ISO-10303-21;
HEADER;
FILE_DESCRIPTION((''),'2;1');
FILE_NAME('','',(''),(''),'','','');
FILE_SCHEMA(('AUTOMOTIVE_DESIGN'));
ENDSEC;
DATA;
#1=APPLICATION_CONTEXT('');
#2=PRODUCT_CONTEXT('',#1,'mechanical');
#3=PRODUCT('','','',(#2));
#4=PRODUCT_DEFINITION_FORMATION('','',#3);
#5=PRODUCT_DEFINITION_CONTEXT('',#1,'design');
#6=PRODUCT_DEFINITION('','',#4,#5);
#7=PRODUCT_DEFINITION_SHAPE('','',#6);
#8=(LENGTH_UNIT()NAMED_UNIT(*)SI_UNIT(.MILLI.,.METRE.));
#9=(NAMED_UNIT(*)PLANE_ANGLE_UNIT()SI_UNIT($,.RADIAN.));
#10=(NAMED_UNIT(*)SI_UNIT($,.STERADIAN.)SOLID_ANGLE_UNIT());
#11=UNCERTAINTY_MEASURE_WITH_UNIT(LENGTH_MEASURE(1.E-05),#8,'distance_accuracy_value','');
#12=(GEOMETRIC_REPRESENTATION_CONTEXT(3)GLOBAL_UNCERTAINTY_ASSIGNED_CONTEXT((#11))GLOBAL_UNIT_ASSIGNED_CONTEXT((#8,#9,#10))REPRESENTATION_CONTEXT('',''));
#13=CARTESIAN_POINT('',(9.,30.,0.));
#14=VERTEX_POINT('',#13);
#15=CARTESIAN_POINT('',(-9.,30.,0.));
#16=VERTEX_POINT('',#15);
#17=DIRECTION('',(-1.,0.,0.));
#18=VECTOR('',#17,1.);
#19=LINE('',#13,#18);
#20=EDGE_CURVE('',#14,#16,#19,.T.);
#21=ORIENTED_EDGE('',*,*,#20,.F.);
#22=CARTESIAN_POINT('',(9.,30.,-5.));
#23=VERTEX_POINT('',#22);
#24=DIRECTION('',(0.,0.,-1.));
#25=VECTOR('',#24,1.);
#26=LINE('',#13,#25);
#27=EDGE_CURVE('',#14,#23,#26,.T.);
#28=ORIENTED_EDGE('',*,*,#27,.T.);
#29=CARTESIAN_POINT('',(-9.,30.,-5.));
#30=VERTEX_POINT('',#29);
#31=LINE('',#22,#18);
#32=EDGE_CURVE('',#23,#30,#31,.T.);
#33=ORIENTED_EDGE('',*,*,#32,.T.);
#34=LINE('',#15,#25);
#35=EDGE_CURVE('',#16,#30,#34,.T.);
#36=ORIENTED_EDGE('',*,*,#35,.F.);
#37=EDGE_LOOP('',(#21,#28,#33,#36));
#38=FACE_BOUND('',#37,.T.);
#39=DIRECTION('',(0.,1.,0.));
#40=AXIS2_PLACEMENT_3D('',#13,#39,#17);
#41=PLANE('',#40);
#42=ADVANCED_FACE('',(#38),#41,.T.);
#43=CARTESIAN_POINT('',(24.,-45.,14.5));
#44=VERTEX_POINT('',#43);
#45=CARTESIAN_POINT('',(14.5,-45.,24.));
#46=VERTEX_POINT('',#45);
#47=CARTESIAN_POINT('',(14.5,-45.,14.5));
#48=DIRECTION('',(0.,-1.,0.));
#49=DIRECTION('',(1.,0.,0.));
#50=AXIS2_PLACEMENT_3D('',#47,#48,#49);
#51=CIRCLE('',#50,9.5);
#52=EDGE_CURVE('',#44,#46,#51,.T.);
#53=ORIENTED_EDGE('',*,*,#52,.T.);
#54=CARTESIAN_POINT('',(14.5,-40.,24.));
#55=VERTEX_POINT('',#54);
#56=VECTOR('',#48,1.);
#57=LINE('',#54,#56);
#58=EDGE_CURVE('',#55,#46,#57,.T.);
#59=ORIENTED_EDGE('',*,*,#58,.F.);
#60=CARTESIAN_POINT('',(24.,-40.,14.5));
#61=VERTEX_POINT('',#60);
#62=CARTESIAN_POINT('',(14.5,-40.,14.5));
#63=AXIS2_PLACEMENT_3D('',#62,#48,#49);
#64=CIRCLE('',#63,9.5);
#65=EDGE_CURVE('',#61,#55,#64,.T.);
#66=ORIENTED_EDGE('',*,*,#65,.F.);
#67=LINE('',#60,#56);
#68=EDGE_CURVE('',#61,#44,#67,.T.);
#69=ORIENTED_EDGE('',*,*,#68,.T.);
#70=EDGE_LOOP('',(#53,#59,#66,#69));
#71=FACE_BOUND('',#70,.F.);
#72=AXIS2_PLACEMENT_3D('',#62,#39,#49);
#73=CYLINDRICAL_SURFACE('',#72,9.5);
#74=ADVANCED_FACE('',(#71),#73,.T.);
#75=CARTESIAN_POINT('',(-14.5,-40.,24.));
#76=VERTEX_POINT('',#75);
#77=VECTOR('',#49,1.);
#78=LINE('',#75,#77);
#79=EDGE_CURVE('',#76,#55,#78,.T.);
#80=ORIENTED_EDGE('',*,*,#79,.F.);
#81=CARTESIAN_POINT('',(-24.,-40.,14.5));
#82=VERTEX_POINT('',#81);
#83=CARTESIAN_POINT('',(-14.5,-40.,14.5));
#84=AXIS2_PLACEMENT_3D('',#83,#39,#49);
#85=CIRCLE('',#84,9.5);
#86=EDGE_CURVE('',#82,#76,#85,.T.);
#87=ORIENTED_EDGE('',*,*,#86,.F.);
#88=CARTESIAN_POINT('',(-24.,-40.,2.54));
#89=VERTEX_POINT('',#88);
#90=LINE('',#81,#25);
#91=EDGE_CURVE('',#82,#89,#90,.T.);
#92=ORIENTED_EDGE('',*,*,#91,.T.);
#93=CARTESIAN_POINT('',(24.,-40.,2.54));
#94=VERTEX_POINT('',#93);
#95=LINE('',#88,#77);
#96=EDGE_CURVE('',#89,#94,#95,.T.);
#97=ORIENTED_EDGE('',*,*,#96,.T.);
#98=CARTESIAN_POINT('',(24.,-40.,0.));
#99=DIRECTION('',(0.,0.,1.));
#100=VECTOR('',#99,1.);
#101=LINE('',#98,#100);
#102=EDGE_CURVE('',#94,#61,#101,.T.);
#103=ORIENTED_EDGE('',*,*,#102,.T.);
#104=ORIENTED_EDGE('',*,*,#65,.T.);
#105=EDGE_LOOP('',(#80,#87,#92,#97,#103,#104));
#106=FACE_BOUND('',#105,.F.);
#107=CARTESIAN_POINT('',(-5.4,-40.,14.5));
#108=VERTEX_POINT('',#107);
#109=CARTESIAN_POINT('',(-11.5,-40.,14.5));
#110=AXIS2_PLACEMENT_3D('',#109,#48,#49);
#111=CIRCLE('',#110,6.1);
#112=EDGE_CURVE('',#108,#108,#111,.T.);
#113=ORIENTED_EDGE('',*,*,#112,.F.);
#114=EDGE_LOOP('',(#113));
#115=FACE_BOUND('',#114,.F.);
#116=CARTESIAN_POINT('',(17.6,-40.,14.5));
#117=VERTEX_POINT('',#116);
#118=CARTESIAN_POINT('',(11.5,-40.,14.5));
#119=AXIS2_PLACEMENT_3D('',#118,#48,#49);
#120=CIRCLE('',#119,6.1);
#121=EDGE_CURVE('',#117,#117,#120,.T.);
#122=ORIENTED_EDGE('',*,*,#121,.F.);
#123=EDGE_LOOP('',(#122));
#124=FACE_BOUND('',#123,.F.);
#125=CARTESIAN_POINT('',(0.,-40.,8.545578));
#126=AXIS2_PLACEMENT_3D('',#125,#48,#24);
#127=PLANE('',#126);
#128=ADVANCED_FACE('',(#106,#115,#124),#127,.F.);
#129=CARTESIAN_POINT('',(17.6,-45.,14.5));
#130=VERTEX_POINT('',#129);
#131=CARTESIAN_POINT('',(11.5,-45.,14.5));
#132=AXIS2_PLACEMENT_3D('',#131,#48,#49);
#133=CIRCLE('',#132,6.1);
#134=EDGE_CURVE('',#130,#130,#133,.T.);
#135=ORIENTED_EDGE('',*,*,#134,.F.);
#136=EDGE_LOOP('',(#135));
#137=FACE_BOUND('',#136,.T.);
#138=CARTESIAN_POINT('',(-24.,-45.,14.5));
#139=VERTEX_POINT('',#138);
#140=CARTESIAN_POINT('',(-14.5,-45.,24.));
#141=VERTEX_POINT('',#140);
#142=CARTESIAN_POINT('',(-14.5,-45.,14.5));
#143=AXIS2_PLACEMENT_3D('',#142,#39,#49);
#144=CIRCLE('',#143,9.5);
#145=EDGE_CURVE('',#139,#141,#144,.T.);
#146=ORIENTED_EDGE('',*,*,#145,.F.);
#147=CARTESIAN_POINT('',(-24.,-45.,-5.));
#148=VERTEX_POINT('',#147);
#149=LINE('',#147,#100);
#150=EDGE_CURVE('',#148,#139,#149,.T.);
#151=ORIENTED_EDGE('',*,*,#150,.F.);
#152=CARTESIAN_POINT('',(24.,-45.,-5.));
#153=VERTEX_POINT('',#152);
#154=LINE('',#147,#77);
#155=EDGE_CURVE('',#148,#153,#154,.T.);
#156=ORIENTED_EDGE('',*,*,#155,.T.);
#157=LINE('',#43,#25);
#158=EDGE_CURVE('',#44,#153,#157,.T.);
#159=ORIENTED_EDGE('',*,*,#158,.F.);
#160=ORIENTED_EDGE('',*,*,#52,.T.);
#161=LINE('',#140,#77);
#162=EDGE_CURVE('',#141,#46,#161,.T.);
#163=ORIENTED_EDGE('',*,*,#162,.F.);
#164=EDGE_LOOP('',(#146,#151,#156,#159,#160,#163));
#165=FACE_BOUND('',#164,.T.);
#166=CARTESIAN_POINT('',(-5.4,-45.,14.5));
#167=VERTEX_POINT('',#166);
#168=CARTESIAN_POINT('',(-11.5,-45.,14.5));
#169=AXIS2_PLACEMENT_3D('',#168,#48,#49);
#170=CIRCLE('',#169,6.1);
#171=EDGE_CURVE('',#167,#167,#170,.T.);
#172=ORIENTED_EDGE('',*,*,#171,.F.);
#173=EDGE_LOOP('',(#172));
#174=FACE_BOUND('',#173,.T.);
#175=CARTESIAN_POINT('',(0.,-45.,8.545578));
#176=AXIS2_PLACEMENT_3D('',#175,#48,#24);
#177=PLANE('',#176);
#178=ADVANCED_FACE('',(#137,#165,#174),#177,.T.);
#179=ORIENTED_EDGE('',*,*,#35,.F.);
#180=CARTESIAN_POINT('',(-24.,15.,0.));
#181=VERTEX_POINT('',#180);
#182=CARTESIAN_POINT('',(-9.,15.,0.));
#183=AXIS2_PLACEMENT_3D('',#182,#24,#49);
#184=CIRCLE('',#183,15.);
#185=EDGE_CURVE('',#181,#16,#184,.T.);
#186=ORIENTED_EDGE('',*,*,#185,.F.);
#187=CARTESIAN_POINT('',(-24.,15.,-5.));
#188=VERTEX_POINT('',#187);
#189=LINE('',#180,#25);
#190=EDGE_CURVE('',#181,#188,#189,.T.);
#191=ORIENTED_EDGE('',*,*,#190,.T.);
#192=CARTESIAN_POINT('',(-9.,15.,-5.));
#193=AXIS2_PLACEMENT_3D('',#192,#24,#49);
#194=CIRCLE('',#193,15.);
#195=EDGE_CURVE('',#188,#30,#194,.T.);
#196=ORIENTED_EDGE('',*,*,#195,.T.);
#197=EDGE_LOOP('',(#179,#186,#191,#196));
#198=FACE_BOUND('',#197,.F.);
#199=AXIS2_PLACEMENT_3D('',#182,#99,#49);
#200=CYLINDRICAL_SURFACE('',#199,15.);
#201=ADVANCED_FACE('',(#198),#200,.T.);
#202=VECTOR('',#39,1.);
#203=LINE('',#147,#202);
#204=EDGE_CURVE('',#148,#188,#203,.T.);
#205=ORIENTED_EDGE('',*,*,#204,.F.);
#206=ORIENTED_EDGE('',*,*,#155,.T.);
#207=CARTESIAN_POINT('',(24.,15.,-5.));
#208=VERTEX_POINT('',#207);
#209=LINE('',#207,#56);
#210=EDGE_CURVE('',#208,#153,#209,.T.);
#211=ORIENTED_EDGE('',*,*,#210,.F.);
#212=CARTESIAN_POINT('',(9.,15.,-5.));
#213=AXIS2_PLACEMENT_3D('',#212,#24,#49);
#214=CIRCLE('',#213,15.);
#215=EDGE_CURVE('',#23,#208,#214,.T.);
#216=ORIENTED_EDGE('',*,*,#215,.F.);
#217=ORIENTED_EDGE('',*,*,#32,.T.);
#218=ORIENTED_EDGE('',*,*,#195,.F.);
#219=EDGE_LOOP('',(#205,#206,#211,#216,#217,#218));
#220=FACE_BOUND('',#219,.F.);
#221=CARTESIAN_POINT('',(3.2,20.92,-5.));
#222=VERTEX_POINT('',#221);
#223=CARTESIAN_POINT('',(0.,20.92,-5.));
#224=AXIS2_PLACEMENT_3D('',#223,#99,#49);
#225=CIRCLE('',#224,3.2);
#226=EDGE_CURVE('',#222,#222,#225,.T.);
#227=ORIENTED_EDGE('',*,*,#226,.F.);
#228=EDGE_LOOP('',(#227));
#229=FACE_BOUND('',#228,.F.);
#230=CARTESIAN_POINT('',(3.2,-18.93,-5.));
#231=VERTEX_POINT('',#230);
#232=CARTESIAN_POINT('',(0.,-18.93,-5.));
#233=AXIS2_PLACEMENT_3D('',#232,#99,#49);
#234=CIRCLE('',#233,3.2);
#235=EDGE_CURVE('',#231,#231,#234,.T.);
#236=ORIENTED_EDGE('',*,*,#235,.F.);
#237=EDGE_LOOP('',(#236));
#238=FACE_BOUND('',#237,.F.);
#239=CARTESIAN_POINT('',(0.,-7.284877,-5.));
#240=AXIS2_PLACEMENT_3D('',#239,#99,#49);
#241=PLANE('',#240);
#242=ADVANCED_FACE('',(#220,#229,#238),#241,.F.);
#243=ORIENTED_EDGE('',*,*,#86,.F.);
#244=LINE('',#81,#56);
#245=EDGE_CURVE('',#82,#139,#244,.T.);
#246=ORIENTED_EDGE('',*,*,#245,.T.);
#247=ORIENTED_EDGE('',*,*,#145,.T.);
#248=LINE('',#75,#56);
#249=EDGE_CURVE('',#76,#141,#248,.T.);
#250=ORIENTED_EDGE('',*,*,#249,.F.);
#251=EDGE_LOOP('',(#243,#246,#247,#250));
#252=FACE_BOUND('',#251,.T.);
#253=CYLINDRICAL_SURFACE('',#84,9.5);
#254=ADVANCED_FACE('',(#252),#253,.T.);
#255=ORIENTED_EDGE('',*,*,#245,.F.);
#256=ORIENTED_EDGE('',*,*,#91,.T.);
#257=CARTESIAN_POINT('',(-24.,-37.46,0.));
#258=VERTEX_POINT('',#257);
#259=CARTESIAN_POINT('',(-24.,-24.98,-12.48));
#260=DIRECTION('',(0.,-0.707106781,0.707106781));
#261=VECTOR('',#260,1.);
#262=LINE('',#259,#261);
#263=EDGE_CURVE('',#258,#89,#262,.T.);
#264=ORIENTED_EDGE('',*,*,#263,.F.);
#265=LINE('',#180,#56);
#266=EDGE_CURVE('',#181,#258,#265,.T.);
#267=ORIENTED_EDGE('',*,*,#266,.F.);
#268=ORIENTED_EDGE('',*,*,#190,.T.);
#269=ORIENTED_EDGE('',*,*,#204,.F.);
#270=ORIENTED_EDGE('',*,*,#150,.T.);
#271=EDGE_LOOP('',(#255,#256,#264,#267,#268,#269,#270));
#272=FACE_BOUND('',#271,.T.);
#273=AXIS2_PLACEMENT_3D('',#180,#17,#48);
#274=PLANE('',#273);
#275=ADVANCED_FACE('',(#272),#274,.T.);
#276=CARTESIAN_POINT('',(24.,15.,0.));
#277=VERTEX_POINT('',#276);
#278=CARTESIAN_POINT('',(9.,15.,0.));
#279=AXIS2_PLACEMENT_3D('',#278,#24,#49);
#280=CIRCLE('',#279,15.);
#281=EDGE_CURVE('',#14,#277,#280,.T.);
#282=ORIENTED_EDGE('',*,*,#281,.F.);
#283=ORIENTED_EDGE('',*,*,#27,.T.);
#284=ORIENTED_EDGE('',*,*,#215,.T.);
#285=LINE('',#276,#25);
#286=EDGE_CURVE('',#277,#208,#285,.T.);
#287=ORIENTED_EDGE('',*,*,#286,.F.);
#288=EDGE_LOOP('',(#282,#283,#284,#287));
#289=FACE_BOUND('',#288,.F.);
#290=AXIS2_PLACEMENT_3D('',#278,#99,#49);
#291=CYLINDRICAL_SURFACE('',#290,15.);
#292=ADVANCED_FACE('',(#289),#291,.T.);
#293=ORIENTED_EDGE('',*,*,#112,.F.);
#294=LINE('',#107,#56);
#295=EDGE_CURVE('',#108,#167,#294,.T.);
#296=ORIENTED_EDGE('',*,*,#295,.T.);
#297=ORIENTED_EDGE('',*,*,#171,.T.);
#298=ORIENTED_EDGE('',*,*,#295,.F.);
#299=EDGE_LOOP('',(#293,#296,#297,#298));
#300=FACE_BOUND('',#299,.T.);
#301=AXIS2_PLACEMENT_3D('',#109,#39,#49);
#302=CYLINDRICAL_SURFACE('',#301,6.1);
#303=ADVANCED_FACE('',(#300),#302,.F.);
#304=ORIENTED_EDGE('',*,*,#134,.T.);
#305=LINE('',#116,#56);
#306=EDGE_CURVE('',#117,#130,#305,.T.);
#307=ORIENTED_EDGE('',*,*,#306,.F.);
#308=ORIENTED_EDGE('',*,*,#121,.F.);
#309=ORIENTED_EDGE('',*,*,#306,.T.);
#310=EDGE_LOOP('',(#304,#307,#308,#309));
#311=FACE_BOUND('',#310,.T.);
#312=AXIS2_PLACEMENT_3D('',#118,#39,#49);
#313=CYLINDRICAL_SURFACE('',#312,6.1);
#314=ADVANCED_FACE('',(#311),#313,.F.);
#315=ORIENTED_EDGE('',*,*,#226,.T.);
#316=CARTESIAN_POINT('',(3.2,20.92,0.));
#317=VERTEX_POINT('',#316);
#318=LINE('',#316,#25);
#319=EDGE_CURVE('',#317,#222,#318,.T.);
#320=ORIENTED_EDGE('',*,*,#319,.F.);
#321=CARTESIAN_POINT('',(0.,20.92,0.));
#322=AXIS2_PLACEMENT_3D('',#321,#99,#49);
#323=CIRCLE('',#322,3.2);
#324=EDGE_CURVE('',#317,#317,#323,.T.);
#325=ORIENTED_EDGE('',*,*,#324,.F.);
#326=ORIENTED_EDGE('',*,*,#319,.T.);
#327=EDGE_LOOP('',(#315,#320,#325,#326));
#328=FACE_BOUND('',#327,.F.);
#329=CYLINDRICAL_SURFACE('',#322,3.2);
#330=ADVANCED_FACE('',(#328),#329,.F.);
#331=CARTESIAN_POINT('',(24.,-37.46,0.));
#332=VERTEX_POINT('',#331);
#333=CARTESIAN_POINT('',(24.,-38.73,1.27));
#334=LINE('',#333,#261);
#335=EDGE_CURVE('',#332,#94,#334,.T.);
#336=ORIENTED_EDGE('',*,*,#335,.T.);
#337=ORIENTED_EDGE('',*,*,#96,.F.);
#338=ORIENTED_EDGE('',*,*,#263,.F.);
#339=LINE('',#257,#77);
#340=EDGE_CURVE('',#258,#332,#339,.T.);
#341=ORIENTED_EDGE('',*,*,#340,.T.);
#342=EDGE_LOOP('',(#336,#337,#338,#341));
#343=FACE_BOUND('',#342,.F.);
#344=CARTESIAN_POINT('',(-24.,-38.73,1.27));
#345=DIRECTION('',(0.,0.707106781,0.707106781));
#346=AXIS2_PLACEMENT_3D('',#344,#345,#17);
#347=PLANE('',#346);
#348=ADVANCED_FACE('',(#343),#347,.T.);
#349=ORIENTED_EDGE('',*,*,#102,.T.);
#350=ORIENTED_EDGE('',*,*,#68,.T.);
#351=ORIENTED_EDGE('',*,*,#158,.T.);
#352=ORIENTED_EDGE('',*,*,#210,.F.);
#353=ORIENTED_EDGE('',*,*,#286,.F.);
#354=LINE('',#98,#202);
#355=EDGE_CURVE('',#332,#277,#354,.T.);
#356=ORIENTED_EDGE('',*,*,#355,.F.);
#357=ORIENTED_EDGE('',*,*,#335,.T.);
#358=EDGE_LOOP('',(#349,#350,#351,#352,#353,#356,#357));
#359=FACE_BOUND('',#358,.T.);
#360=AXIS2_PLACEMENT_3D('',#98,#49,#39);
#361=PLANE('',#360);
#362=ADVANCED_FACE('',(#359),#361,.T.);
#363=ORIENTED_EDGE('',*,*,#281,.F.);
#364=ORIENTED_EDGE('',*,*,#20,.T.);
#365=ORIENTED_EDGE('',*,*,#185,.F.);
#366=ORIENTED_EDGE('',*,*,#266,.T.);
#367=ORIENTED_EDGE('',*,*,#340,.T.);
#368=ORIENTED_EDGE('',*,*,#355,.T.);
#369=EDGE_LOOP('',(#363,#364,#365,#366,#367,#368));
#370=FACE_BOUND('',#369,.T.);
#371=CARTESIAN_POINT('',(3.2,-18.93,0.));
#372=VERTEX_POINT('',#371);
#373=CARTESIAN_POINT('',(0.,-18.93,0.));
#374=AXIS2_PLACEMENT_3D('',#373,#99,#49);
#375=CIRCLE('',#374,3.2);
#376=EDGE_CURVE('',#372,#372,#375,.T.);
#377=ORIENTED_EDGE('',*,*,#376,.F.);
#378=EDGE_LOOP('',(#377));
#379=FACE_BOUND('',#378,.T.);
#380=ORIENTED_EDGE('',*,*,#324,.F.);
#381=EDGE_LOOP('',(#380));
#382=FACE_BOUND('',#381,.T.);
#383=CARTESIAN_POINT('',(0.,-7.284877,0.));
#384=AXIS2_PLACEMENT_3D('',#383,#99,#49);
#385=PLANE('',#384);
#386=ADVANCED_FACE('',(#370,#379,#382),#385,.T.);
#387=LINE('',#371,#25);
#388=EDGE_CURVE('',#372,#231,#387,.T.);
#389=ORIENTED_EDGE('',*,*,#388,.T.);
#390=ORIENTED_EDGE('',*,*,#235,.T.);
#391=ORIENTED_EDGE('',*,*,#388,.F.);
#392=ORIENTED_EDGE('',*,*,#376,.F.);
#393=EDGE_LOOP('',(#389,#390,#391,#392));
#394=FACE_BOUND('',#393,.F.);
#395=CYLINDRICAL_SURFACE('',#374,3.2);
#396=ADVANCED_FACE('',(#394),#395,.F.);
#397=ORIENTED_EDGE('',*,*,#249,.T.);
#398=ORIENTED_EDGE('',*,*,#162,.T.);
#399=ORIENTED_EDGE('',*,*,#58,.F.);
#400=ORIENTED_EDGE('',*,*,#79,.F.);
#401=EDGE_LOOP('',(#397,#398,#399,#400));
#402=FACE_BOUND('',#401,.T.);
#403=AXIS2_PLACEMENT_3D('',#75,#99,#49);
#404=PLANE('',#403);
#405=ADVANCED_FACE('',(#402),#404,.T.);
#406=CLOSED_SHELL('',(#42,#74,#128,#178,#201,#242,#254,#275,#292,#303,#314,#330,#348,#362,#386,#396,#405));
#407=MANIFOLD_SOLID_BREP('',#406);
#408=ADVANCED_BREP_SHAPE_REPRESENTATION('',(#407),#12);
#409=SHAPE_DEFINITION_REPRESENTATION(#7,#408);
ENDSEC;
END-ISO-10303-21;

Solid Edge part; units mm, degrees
sketch "Sketch1" plane through (0, 0, 0) normal (0, 0, 1) x (1, 0, 0)
  circle A0 centre (0, -18.93) radius 3.2
  circle A1 centre (0, 20.92) radius 3.2
  line L0 (9, 30) -> (-9, 30)
  arc A2 (-24, 15) -> (-9, 30) centre (-9, 15) cw
  line L1 (-24, 15) -> (-24, -40)
  line L2 (-24, -40) -> (24, -40)
  line L3 (24, -40) -> (24, 15)
  arc A3 (9, 30) -> (24, 15) centre (9, 15) cw
  dimension "D1" = 70
  dimension "D2" = 48
extrude "Protrusion1" add sketch "Sketch1" against normal blind 5
sketch "Sketch2" plane through (0, -40, -2.5) normal (0, -1, 0) x (1, 0, 0)
  circle A0 centre (-11.5, 17) radius 6.1
  circle A1 centre (11.5, 17) radius 6.1
  arc A2 (24, 17) -> (14.5, 26.5) centre (14.5, 17) ccw
  line L0 (-14.5, 26.5) -> (14.5, 26.5)
  arc A3 (-24, 17) -> (-14.5, 26.5) centre (-14.5, 17) cw
  line L1 (-24, 17) -> (-24, 7.5)
  line L2 (-24, 7.5) -> (-24, -2.5)
  line L3 (-24, -2.5) -> (24, -2.5)
  line L4 (24, -2.5) -> (24, 7.5)
  line L5 (24, 7.5) -> (24, 17)
  dimension "D1" = 12.5
  dimension "D2" = 9.5
  dimension "D3" = 12.5
  dimension "D4" = 9.5
  dimension "D5" = 9.5
  dimension "D6" = 9.5
extrude "Extrusionsausprägung_2" add sketch "Sketch2" along normal blind 5
chamfer "Fase_1" distance 2.54 angle 45 1 edges at (0, -40, 0)
